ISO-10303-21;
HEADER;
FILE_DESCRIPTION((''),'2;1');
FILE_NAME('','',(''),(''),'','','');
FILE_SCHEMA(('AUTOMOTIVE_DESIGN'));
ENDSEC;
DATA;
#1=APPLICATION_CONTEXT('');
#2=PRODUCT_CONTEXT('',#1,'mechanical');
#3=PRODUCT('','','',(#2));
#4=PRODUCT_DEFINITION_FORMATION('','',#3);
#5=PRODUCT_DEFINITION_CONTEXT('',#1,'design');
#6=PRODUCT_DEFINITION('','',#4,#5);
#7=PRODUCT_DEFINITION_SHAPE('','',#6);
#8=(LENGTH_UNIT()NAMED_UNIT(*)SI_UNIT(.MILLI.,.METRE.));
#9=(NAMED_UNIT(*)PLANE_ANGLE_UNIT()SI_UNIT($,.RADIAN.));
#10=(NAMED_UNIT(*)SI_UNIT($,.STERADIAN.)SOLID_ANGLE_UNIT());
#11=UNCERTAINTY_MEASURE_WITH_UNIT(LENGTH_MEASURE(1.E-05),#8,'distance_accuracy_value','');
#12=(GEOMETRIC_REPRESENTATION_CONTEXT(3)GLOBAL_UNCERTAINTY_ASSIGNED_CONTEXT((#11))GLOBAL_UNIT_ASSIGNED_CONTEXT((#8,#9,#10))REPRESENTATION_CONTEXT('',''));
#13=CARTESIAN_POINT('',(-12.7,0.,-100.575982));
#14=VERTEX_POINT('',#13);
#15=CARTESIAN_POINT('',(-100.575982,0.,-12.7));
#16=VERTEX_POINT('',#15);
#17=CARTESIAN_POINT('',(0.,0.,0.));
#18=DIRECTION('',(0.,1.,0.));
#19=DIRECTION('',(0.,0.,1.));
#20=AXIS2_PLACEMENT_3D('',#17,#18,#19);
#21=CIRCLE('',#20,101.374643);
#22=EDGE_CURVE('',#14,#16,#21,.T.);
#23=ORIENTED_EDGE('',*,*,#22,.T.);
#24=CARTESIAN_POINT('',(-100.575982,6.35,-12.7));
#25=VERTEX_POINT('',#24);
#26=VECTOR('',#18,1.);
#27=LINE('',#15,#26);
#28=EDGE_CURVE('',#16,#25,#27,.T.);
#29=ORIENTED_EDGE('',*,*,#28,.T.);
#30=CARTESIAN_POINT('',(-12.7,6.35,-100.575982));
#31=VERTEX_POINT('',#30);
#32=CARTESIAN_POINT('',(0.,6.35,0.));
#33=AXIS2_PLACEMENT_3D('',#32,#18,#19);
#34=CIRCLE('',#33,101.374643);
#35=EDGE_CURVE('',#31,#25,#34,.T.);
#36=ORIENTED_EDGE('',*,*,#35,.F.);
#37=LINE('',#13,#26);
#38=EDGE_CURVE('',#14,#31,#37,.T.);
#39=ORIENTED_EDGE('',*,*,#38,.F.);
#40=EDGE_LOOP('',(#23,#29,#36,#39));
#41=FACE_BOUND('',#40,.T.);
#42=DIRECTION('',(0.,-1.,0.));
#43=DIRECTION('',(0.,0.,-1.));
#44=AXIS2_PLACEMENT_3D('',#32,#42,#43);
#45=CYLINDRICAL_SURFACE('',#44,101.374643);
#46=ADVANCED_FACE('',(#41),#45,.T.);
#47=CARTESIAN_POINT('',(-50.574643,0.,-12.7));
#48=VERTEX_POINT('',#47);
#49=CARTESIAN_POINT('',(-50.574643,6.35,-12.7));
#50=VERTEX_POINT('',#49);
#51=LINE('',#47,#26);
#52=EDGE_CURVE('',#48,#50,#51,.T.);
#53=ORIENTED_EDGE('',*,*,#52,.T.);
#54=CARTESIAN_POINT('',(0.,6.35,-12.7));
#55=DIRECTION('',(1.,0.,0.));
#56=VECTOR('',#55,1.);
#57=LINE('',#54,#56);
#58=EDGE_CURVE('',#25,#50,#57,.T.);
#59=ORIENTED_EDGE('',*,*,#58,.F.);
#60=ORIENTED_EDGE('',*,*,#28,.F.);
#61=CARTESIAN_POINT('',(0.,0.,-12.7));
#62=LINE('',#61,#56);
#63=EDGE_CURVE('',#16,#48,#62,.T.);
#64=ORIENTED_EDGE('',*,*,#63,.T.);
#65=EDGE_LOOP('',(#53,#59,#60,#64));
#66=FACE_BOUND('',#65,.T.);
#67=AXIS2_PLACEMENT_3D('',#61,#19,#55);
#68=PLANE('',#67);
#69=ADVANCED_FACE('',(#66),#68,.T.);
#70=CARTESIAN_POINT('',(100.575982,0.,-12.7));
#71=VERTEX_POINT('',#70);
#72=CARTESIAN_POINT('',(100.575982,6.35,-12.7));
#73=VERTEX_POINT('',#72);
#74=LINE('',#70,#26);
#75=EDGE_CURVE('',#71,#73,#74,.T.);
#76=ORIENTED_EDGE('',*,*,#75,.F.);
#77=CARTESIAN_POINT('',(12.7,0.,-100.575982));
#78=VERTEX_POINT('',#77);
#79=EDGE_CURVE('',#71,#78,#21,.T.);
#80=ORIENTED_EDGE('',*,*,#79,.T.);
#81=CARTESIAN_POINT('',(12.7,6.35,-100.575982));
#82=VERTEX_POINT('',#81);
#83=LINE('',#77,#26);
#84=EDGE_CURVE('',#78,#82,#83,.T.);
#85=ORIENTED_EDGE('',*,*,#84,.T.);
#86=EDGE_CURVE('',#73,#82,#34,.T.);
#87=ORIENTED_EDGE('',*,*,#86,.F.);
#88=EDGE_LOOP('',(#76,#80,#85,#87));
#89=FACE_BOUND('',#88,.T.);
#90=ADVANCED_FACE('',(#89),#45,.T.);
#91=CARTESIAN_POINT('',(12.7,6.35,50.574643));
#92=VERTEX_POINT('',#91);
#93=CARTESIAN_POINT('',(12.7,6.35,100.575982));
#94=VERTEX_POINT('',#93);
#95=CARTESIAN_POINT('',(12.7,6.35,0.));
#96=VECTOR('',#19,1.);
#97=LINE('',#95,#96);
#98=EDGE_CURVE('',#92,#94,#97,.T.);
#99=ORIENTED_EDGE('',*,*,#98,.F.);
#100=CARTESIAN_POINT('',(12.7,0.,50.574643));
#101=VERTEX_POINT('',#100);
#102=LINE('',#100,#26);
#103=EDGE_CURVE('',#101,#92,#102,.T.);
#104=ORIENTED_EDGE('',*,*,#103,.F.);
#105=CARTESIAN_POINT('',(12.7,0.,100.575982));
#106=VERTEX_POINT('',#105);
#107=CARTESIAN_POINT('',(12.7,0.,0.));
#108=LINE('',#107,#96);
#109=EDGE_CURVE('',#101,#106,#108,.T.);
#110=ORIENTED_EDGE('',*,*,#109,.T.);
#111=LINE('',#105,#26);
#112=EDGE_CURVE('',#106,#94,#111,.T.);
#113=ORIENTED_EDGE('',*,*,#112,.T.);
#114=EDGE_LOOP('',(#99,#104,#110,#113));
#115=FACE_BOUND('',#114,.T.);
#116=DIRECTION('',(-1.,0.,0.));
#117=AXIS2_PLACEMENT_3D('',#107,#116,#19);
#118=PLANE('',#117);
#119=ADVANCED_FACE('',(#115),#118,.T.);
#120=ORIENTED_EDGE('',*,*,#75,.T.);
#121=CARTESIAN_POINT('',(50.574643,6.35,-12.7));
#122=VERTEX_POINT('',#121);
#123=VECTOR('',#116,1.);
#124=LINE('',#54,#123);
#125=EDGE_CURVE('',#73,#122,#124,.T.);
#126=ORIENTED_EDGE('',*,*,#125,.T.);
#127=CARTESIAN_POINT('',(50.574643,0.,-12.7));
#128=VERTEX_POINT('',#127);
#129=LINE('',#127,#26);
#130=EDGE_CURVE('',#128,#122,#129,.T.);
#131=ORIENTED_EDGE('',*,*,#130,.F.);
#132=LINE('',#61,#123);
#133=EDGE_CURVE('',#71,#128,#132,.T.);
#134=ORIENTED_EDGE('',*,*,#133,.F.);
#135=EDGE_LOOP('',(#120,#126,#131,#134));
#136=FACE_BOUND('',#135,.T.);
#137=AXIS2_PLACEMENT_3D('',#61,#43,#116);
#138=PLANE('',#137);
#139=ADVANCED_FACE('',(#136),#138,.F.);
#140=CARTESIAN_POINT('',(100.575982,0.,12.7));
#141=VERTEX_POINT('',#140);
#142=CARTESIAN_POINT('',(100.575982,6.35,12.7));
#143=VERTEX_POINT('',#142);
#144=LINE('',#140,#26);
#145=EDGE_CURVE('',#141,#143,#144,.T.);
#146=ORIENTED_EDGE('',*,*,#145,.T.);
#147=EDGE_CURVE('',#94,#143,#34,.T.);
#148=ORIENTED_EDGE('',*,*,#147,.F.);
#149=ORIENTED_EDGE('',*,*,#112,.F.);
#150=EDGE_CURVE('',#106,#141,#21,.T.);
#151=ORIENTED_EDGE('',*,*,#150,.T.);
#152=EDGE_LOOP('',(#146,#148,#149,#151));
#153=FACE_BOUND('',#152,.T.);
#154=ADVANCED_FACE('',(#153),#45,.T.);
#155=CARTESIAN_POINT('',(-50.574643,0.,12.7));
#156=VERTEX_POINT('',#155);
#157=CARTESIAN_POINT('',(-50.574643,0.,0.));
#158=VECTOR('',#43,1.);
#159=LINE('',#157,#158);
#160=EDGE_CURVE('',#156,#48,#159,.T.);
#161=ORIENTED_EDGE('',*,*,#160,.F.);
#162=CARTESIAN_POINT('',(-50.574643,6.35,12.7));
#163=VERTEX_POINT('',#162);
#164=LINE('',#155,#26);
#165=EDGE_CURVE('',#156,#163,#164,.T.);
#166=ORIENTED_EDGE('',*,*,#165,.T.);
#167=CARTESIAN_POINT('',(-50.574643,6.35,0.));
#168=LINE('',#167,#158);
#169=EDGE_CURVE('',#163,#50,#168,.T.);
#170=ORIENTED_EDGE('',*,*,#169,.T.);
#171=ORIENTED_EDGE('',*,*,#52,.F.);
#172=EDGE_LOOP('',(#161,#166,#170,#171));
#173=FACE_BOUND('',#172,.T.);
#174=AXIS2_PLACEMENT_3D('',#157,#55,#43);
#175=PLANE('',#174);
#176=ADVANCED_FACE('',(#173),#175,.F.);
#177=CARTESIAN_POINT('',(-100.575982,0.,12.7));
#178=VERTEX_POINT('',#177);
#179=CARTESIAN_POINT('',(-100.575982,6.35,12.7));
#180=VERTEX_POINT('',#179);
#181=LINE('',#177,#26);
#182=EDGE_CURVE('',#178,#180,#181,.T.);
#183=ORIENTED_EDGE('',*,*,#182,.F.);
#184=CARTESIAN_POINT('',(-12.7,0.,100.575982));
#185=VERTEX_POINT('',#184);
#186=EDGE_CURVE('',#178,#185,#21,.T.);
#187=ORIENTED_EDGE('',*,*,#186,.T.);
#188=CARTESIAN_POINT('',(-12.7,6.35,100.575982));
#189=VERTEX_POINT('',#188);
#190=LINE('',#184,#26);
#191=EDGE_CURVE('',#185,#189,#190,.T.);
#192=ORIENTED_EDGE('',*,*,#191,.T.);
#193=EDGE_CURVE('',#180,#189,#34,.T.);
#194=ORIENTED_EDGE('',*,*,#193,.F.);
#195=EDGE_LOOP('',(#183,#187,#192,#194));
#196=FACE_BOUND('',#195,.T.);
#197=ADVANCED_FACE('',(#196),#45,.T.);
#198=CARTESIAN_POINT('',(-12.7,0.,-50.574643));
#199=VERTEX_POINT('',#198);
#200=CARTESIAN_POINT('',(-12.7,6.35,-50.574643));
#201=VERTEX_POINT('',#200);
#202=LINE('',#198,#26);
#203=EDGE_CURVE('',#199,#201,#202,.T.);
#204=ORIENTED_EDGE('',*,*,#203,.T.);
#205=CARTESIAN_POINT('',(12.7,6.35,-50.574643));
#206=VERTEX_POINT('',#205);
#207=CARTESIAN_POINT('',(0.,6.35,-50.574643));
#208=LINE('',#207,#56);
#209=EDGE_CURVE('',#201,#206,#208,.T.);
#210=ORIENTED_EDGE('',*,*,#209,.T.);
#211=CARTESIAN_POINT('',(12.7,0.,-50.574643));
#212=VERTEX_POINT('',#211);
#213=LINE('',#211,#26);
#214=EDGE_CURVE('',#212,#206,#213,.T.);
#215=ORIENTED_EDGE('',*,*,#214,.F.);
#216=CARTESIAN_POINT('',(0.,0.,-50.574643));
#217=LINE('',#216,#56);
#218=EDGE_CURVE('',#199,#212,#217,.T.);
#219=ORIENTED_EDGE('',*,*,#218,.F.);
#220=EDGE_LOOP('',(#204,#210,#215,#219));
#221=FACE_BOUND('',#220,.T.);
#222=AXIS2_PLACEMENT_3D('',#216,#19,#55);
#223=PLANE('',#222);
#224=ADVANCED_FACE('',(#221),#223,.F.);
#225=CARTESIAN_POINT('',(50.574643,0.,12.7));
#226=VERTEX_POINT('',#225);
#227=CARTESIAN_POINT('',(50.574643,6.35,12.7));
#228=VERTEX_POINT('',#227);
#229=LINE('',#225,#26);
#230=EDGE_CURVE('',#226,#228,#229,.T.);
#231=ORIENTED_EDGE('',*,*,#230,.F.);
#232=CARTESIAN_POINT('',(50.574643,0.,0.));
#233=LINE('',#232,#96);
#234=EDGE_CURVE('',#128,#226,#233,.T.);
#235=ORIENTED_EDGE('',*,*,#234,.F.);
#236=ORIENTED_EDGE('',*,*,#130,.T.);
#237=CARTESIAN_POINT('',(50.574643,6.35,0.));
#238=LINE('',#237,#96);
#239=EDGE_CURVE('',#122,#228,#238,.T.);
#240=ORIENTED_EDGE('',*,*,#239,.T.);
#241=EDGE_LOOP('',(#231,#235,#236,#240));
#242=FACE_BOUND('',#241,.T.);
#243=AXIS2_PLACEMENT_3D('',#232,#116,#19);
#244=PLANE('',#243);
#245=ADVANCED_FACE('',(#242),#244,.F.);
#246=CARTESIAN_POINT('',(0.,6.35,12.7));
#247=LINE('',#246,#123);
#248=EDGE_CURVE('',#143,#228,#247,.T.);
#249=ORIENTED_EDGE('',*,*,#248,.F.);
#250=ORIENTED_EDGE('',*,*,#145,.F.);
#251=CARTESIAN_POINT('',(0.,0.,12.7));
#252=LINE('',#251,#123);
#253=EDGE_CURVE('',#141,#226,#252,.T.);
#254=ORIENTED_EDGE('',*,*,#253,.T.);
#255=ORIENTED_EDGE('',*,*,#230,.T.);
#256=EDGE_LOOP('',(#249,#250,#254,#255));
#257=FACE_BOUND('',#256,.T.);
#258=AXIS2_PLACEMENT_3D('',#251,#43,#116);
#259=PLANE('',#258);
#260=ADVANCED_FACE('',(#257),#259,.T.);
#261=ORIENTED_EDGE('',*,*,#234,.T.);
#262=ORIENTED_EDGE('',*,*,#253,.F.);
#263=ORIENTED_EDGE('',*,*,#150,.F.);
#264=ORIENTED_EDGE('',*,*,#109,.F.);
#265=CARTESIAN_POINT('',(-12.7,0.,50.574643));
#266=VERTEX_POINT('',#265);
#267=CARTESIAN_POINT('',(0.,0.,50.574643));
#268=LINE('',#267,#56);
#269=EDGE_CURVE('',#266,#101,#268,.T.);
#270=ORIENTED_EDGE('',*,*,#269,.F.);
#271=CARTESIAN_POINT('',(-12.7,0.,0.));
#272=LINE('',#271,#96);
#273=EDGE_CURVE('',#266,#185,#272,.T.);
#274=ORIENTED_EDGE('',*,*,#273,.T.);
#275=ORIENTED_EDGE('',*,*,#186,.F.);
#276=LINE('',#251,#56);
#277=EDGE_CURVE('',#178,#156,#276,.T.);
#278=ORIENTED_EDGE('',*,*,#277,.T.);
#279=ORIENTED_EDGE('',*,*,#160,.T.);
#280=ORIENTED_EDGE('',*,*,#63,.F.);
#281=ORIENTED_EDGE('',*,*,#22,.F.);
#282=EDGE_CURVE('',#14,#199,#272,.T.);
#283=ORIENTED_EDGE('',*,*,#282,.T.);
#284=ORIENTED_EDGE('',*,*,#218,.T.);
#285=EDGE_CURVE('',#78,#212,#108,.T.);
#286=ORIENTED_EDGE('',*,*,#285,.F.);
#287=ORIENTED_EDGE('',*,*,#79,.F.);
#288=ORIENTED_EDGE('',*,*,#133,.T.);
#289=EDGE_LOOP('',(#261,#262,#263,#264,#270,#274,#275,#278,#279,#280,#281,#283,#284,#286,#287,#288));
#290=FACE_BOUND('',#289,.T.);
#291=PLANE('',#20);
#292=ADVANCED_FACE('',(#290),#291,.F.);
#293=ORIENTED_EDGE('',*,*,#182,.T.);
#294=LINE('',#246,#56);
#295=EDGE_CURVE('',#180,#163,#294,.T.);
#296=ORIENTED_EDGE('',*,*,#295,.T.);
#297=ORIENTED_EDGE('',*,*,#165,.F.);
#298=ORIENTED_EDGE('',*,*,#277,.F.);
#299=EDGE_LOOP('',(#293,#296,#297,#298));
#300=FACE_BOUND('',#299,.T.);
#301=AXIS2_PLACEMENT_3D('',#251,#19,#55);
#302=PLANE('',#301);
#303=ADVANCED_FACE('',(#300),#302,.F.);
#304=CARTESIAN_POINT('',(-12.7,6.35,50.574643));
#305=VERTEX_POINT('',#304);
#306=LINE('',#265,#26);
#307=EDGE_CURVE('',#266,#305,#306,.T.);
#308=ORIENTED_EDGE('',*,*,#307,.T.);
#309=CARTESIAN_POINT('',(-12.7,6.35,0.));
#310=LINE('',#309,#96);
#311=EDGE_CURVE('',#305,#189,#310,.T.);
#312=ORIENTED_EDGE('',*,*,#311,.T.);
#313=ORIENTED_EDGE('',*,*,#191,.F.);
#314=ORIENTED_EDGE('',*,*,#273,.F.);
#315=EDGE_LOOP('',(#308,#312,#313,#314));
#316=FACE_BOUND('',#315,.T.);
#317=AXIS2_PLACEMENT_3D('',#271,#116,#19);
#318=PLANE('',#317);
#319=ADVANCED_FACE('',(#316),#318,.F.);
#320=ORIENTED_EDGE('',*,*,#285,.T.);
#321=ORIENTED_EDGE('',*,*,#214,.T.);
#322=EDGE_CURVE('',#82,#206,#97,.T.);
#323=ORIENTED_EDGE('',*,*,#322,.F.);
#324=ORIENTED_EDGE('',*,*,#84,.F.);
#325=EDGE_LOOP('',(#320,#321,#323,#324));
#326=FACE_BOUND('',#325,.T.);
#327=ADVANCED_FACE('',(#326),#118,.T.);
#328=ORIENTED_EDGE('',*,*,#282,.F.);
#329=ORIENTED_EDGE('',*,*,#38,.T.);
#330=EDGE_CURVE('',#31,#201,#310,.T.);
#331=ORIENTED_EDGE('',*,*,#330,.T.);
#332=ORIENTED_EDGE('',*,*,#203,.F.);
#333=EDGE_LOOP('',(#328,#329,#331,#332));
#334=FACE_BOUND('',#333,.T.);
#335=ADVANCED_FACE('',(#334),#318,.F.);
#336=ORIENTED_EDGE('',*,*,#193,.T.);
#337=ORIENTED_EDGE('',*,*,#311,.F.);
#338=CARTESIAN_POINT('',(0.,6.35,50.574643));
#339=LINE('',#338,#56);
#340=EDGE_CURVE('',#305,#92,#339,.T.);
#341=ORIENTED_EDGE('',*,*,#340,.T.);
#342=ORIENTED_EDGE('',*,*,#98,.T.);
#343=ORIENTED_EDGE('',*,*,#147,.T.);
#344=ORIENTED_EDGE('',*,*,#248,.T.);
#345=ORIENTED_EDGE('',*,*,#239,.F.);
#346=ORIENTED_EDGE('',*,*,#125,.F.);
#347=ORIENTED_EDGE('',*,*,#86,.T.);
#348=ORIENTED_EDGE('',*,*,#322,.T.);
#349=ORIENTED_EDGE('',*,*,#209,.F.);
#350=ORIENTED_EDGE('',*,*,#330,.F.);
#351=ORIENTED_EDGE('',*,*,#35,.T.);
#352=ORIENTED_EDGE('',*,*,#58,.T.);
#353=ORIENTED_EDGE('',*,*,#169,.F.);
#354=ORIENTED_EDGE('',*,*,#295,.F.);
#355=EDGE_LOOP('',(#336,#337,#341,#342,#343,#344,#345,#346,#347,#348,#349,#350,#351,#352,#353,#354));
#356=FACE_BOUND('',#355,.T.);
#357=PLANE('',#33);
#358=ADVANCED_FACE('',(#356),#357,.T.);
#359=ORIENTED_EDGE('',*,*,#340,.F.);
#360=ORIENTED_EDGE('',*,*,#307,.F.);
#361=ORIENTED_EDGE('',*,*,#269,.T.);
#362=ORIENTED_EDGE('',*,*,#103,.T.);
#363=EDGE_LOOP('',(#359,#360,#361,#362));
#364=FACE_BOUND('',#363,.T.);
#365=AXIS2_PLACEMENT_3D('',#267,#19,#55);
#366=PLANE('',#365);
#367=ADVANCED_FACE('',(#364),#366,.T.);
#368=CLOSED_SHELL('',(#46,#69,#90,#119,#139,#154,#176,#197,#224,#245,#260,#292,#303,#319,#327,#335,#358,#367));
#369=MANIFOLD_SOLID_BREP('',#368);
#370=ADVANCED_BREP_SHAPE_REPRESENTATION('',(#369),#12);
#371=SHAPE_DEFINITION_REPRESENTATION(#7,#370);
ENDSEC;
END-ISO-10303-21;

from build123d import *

# Parameters (mm, degrees)
SKETCH1_R           = 101.374642805
BOSS_EXTRUDE1_DEPTH = 6.35
CUT_EXTRUDE1_DEPTH  = 7.35


with BuildPart() as part:
    # Sketch1 → Boss-Extrude1 (new body)
    with BuildSketch(Plane(origin=(0, 0, 0), x_dir=(1, 0, 0), z_dir=(0, 1, 0))):
        Circle(SKETCH1_R)
    extrude(amount=BOSS_EXTRUDE1_DEPTH)

    # Sketch2 → Cut-Extrude1 (cut, through all)
    with BuildSketch(Plane(origin=(0, 6.35, 0), x_dir=(1, 0, 0), z_dir=(0, 1, 0))):
        with BuildLine():
            ThreePointArc((-101.374642805, 1.78e-07), (-101.174780653, -6.362543795), (-100.575982241, -12.7))
            Line((-100.575982241, -12.7), (-57.078868275, -12.7))
            Line((-57.078868275, -12.7), (-50.574642805, -12.7))
            Line((-50.574642805, -12.7), (-50.574642805, 12.7))
            Line((-50.574642805, 12.7), (-100.575982241, 12.7))
            ThreePointArc((-100.575982241, 12.7), (-101.174780642, 6.362543972), (-101.374642805, 1.78e-07))
        make_face()
        with BuildLine():
            ThreePointArc((2.49e-07, 101.374642805), (-6.36254376, 101.174780655), (-12.7, 100.575982241))
            Line((-12.7, 100.575982241), (-12.7, 57.078868275))
            Line((-12.7, 57.078868275), (-12.7, 50.574642805))
            Line((-12.7, 50.574642805), (12.7, 50.574642805))
            Line((12.7, 50.574642805), (12.7, 100.575982241))
            ThreePointArc((12.7, 100.575982241), (6.362544008, 101.17478064), (2.49e-07, 101.374642805))
        make_face()
        with BuildLine():
            Line((50.574642805, -12.7), (100.575982241, -12.7))
            ThreePointArc((100.575982241, -12.7), (101.174780648, -6.362543884), (101.374642805, 0))
            ThreePointArc((101.374642805, 0), (101.174780648, 6.362543884), (100.575982241, 12.7))
            Line((100.575982241, 12.7), (57.078868275, 12.7))
            Line((57.078868275, 12.7), (50.574642805, 12.7))
            Line((50.574642805, 12.7), (50.574642805, -12.7))
        make_face()
        with BuildLine():
            Line((12.7, -50.574642805), (-12.7, -50.574642805))
            Line((-12.7, -50.574642805), (-12.7, -100.575982241))
            ThreePointArc((-12.7, -100.575982241), (-6.362543952, -101.174780643), (-1.37e-07, -101.374642805))
            ThreePointArc((-1.37e-07, -101.374642805), (6.362543815, -101.174780652), (12.7, -100.575982241))
            Line((12.7, -100.575982241), (12.7, -57.078868275))
            Line((12.7, -57.078868275), (12.7, -50.574642805))
        make_face()
    extrude(amount=-CUT_EXTRUDE1_DEPTH, mode=Mode.SUBTRACT)


solid = part.part
